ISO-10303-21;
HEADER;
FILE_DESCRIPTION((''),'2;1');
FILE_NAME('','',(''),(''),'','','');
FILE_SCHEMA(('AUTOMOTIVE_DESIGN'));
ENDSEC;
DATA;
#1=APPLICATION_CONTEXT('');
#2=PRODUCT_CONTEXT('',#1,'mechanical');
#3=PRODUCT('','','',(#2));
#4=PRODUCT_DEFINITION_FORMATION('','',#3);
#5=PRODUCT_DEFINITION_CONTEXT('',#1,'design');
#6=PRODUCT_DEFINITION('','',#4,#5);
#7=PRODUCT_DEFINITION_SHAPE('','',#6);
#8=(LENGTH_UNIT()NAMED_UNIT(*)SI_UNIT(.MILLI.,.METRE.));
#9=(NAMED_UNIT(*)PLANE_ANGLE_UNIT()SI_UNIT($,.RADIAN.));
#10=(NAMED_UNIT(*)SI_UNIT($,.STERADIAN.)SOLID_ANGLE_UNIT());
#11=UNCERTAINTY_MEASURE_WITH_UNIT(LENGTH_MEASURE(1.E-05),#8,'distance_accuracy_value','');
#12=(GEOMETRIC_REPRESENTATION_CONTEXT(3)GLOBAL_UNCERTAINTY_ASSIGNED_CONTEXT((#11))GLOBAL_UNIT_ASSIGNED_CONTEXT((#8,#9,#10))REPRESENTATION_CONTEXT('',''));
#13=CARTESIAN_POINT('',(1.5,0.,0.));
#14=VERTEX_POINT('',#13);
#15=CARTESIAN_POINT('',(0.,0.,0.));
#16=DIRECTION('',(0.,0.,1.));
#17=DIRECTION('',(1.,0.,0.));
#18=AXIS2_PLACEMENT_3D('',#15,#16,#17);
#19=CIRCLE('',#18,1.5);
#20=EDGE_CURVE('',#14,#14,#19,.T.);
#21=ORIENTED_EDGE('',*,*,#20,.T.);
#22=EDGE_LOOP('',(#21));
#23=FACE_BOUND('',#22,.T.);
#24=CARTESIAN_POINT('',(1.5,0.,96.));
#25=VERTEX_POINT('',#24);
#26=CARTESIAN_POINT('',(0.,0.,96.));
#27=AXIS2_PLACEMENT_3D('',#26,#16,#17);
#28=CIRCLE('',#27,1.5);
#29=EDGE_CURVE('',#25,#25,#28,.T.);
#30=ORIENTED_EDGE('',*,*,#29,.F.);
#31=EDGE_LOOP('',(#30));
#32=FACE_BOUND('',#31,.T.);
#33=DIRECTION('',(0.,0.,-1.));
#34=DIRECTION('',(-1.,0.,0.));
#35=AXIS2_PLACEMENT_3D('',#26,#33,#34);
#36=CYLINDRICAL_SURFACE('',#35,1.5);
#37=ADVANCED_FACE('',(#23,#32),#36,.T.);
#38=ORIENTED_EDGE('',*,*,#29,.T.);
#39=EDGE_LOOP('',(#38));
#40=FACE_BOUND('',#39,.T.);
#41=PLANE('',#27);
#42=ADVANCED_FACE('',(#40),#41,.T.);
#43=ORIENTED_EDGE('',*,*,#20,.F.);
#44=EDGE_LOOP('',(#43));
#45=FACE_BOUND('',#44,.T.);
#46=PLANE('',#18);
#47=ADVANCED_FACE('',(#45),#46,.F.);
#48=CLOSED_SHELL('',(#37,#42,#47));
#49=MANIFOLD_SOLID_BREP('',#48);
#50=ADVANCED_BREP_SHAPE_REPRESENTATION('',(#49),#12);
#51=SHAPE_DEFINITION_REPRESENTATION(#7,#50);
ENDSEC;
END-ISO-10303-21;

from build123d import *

# Parameters (mm, degrees)
SKETCH1_R           = 1.5
BOSS_EXTRUDE1_DEPTH = 96


with BuildPart() as part:
    # Sketch1 → Boss-Extrude1 (new body)
    with BuildSketch(Plane.XY):
        Circle(SKETCH1_R)
    extrude(amount=BOSS_EXTRUDE1_DEPTH)


solid = part.part
